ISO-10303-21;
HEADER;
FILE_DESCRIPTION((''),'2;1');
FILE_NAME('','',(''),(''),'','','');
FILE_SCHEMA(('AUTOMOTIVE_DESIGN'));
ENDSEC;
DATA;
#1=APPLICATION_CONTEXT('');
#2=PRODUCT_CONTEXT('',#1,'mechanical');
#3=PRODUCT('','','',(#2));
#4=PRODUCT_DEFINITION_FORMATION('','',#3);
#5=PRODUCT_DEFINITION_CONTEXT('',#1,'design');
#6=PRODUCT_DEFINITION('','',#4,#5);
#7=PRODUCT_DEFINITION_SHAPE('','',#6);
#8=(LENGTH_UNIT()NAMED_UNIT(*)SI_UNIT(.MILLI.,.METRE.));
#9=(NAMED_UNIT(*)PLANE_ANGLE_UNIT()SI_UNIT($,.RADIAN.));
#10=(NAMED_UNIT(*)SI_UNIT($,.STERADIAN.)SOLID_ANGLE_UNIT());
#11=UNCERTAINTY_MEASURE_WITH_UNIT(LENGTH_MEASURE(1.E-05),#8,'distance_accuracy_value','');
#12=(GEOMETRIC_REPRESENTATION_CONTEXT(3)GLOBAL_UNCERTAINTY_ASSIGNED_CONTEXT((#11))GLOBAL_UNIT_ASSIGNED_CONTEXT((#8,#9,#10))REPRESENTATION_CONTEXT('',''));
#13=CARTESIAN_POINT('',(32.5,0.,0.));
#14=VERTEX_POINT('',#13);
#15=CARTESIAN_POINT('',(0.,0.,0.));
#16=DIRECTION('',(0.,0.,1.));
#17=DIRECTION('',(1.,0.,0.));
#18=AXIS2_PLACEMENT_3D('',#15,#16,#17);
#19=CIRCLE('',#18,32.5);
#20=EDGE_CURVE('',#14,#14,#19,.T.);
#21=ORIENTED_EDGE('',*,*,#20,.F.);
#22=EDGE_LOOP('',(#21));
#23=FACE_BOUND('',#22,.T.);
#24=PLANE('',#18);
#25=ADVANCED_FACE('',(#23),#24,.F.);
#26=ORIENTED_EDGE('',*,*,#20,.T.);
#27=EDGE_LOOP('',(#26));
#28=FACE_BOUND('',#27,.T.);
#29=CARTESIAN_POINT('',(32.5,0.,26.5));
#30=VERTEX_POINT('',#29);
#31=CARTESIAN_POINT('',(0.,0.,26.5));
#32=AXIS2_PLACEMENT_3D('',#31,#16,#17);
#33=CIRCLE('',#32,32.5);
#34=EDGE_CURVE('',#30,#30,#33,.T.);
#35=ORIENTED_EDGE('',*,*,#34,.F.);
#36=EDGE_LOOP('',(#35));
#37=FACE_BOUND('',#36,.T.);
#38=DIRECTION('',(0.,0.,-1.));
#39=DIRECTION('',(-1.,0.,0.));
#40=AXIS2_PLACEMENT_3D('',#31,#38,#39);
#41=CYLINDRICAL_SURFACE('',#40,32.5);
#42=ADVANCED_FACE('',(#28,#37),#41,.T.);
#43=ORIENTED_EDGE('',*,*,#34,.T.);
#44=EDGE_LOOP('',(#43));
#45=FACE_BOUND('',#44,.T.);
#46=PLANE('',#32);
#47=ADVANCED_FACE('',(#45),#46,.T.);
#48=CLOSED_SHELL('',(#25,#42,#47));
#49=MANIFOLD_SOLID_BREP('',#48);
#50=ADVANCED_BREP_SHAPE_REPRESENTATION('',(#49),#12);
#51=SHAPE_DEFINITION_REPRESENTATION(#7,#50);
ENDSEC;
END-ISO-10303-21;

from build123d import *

# Parameters (mm, degrees)
SKETCH_1_R      = 32.5
EXTRUDE_1_DEPTH = 26.5


with BuildPart() as part:
    # 草图1 → 凸台-拉伸1 (new body)
    with BuildSketch(Plane.XY):
        Circle(SKETCH_1_R)
    extrude(amount=EXTRUDE_1_DEPTH)


solid = part.part
